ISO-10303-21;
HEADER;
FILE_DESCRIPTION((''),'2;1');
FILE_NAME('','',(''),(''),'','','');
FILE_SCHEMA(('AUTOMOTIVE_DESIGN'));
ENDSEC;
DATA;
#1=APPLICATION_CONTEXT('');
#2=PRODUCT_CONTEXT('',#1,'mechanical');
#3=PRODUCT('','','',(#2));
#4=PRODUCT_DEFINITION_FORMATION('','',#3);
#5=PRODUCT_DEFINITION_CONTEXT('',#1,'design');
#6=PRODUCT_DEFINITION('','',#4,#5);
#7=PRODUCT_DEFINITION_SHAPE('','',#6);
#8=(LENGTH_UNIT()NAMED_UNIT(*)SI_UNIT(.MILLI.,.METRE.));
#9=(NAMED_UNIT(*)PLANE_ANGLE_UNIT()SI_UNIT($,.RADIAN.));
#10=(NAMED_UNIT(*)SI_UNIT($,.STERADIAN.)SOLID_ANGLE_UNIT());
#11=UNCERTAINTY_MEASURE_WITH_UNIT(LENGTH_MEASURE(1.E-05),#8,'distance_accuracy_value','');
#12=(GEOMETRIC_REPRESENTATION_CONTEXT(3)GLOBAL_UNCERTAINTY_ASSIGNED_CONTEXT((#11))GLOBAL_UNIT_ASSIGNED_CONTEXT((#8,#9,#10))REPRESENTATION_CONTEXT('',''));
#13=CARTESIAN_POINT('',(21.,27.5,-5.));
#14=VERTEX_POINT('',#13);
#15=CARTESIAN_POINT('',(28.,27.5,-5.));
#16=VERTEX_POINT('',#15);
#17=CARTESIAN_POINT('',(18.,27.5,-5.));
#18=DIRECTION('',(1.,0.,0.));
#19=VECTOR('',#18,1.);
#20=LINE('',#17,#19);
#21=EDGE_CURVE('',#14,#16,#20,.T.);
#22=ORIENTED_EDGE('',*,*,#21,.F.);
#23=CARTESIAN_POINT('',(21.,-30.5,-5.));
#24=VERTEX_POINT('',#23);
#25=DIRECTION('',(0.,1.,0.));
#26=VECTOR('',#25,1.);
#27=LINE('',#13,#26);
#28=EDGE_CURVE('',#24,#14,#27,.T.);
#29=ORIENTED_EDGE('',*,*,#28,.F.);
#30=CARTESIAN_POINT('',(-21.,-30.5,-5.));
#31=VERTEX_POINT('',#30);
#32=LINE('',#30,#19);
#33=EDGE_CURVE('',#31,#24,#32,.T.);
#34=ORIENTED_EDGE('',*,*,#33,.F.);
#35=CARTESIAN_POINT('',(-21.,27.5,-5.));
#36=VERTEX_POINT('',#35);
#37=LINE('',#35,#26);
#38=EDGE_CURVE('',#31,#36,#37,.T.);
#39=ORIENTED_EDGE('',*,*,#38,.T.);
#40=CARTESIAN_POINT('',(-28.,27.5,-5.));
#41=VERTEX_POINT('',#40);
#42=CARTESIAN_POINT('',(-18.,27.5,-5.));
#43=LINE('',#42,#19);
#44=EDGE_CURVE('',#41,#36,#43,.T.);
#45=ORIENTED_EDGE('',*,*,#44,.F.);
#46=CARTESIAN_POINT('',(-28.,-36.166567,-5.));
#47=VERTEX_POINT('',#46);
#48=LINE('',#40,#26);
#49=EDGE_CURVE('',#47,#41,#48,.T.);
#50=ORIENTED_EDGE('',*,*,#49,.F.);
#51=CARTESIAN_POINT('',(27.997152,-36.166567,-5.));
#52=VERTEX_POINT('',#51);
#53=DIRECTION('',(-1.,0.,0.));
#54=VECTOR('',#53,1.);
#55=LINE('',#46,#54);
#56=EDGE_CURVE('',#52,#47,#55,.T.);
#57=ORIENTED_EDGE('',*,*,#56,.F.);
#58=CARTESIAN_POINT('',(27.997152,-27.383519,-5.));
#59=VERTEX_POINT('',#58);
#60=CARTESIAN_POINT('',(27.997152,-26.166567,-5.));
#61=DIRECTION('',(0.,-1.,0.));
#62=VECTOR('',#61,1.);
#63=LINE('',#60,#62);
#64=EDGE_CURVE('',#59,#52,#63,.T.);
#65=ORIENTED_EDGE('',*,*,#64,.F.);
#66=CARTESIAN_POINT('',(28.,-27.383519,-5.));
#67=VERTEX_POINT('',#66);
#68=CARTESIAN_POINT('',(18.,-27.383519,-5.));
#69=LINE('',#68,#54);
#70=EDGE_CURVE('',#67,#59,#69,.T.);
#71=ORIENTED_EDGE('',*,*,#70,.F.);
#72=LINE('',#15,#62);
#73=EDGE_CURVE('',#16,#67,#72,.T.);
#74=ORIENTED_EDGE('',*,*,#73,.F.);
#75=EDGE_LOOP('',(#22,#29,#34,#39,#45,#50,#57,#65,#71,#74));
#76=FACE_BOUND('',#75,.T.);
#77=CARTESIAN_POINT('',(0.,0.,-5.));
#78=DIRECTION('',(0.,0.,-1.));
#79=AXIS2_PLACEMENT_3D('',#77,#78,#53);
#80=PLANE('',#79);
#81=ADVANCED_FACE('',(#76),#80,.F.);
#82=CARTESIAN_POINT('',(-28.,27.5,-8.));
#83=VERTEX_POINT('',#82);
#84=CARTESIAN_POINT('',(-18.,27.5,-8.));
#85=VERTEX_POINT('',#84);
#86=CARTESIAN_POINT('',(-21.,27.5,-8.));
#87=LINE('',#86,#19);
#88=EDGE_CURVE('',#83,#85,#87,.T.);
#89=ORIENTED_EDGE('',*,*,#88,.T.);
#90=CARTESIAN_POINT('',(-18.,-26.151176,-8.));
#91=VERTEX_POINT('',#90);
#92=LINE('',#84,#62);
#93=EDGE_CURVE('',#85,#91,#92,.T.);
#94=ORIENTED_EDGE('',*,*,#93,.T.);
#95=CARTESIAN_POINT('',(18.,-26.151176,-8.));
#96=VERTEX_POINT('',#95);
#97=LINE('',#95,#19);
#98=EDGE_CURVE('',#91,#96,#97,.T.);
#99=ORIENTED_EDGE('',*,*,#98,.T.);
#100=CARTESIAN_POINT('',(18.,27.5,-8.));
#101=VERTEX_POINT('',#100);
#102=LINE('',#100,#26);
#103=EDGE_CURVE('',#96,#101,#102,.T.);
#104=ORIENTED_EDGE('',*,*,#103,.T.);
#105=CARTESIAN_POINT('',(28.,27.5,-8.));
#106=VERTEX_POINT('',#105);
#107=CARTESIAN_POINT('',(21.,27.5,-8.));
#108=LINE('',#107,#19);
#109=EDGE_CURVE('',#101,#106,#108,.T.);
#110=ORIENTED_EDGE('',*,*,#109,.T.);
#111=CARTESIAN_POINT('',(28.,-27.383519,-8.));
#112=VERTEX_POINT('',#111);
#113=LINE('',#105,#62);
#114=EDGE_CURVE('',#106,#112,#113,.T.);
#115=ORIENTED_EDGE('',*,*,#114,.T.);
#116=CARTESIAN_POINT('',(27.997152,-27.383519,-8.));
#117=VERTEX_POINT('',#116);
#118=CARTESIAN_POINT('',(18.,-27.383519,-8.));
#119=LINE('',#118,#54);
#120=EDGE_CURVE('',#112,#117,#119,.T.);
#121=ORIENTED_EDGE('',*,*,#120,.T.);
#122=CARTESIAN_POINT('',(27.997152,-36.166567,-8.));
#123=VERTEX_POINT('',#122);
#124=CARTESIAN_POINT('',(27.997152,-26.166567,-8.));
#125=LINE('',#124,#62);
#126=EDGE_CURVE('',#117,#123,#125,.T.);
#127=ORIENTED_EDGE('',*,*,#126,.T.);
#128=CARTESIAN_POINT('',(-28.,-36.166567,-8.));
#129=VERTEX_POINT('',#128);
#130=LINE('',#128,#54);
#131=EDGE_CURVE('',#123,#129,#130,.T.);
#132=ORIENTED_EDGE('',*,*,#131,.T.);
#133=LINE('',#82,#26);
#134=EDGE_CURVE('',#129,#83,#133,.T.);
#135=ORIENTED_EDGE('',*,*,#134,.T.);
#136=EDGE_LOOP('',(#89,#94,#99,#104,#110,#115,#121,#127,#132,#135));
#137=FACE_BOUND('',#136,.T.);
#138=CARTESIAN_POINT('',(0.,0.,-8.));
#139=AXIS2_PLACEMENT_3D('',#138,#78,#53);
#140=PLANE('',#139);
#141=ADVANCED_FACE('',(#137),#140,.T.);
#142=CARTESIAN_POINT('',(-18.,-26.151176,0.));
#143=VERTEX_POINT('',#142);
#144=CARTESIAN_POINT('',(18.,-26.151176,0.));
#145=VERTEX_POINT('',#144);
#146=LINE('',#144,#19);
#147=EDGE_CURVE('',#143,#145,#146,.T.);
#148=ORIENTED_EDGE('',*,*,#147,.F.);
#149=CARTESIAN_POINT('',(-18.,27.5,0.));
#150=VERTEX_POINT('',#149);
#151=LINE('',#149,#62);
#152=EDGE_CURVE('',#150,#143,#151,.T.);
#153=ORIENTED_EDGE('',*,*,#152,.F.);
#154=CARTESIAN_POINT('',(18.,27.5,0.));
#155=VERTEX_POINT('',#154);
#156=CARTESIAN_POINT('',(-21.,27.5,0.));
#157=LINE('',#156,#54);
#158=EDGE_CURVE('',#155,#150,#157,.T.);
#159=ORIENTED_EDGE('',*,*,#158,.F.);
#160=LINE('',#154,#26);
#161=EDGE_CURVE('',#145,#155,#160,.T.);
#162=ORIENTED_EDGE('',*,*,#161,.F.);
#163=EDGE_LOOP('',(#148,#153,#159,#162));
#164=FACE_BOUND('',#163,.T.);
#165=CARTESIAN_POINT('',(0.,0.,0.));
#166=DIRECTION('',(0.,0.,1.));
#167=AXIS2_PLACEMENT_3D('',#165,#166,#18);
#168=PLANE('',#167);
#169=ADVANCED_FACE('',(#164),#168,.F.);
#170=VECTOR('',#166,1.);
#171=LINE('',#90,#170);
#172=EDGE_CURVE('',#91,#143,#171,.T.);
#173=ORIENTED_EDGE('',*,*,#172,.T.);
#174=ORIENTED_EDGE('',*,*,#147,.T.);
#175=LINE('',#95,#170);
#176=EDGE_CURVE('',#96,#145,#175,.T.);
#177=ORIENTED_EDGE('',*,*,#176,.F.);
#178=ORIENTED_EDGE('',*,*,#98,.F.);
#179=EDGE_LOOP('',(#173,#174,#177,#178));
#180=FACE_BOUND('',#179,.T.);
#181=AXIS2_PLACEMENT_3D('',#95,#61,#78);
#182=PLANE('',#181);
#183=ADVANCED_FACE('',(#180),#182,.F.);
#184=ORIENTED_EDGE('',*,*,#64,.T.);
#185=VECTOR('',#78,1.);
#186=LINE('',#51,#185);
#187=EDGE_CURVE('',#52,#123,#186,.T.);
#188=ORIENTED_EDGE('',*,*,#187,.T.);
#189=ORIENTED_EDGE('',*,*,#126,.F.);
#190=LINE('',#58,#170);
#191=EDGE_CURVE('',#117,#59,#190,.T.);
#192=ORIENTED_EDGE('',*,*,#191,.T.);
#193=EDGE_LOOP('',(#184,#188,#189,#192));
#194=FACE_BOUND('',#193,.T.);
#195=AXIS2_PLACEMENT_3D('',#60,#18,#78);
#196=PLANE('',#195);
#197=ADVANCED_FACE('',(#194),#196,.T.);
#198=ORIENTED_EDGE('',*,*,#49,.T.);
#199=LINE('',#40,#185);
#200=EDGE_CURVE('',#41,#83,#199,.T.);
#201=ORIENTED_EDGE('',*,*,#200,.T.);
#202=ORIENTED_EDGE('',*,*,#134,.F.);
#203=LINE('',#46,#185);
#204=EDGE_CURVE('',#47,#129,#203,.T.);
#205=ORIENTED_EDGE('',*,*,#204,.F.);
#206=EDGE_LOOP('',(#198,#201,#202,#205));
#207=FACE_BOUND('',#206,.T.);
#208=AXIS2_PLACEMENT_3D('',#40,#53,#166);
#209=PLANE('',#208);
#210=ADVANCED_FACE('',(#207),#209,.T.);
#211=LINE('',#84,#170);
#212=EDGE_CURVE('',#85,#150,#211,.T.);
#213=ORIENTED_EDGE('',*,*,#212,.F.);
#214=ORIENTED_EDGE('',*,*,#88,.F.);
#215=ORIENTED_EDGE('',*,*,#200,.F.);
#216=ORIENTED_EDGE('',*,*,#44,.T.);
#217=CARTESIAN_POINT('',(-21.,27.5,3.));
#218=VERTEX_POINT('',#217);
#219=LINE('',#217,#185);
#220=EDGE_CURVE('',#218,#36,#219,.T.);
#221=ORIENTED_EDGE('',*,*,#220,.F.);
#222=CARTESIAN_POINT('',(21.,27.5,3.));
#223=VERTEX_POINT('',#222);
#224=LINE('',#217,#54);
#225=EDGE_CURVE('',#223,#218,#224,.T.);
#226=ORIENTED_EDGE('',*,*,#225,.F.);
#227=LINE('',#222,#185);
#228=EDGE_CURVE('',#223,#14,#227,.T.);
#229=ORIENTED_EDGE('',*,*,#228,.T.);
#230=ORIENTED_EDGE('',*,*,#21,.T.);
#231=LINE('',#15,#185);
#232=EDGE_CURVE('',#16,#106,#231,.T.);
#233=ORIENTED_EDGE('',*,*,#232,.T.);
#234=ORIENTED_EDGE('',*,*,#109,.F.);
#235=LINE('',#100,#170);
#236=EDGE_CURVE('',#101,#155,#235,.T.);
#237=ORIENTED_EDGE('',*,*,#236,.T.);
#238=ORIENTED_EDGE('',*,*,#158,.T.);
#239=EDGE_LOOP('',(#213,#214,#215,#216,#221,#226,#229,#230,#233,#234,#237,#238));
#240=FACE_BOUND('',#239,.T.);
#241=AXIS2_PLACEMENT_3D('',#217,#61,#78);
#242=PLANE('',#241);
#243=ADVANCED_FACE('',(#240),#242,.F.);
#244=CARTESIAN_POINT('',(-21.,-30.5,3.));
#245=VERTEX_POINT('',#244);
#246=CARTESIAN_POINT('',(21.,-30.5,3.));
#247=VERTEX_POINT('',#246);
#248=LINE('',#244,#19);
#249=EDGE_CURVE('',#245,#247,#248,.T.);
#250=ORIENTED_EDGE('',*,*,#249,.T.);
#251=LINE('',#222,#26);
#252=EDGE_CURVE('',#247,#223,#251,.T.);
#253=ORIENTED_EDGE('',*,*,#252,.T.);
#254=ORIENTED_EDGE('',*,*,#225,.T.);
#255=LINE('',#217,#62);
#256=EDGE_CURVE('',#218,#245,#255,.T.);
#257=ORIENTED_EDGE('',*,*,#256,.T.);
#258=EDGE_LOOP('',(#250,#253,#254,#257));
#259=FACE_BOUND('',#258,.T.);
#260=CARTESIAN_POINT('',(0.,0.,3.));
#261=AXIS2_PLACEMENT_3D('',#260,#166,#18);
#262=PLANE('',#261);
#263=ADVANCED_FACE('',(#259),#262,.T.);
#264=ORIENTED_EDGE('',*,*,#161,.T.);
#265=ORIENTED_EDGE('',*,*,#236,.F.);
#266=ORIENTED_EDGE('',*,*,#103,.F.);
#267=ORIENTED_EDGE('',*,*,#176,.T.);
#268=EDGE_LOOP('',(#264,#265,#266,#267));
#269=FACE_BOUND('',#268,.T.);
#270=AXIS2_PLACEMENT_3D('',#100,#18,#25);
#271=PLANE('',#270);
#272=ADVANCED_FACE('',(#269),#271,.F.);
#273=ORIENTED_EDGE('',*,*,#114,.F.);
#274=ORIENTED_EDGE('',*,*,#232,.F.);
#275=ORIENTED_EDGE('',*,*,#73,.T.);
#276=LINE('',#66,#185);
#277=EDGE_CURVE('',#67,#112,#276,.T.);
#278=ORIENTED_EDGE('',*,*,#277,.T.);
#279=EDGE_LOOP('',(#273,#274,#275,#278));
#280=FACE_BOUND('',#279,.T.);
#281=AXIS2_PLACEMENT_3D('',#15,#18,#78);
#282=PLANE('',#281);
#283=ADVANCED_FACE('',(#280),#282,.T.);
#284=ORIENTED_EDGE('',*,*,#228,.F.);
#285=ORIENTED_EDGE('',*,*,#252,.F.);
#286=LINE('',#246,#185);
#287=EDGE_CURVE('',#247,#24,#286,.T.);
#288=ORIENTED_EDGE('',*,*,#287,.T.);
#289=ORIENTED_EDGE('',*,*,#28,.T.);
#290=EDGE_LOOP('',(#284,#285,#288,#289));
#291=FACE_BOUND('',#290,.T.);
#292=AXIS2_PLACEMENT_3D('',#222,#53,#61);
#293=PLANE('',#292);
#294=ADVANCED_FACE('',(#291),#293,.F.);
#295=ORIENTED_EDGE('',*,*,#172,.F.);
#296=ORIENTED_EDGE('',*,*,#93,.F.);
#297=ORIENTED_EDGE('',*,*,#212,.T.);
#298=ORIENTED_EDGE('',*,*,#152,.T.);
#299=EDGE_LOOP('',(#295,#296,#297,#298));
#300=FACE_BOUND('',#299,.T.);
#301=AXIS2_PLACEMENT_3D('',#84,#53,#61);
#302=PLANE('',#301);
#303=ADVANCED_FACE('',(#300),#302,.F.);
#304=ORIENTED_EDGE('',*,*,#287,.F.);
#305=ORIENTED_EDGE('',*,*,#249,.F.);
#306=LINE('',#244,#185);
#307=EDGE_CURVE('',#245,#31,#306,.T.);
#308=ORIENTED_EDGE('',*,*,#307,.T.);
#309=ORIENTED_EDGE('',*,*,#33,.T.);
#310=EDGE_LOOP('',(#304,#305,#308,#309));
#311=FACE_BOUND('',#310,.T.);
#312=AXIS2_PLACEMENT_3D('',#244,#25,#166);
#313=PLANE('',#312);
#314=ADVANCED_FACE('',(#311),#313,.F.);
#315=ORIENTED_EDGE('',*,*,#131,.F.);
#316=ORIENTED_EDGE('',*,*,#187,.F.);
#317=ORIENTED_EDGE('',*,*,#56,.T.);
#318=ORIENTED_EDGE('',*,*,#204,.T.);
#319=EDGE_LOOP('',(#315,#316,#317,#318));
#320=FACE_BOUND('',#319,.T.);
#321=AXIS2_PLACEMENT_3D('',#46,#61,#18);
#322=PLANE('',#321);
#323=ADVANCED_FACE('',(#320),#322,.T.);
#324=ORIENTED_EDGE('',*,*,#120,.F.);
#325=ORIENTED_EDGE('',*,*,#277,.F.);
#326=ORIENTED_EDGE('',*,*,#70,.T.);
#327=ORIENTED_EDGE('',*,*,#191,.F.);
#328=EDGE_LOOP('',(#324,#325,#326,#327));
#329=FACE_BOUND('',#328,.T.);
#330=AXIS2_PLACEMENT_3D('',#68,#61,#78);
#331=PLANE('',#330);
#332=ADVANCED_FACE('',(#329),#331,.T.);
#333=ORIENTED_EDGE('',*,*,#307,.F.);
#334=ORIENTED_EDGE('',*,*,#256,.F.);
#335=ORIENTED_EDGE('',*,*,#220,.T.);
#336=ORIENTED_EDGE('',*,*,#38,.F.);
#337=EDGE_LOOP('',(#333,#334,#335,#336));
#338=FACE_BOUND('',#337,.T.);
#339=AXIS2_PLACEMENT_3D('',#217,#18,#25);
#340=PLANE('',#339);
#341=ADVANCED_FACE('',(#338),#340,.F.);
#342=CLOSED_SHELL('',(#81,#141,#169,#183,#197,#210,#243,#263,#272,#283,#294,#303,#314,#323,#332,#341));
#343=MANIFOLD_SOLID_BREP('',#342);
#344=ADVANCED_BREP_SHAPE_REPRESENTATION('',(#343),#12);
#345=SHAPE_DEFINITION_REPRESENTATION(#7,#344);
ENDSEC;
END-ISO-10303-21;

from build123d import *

# Parameters (mm, degrees)
SKETCH1_W           = 42
SKETCH1_H           = 58
BOSS_EXTRUDE1_DEPTH = 3
SKETCH2_W           = 3
SKETCH2_H           = 58
BOSS_EXTRUDE2_DEPTH = 8
SKETCH3_W           = 3
SKETCH3_H           = 58
BOSS_EXTRUDE3_DEPTH = 8
SKETCH4_W           = 36.040635574
SKETCH4_H           = 4.348824295
BOSS_EXTRUDE4_DEPTH = 8
SKETCH5_W           = 10
SKETCH5_H           = 53.666567446
BOSS_EXTRUDE5_DEPTH = 3
SKETCH6_W           = 10
SKETCH6_H           = 54.883518579
BOSS_EXTRUDE6_DEPTH = 3
SKETCH7_W           = 55.997152208
SKETCH7_H           = 10
BOSS_EXTRUDE7_DEPTH = 3


with BuildPart() as part:
    # Sketch1 → Boss-Extrude1 (new body)
    with BuildSketch(Plane.XY):
        with Locations((0, -1.5)):
            Rectangle(SKETCH1_W, SKETCH1_H)
    extrude(amount=BOSS_EXTRUDE1_DEPTH)

    # Sketch2 → Boss-Extrude2 (add)
    with BuildSketch(Plane(origin=(0, 0, 0), x_dir=(-1, 0, 0), z_dir=(0, 0, -1))):
        with Locations((-19.5, -1.5)):
            Rectangle(SKETCH2_W, SKETCH2_H)
    extrude(amount=BOSS_EXTRUDE2_DEPTH)

    # Sketch3 → Boss-Extrude3 (add)
    with BuildSketch(Plane(origin=(0, 0, 0), x_dir=(-1, 0, 0), z_dir=(0, 0, -1))):
        with Locations((19.5, -1.5)):
            Rectangle(SKETCH3_W, SKETCH3_H)
    extrude(amount=BOSS_EXTRUDE3_DEPTH)

    # Sketch4 → Boss-Extrude4 (add)
    with BuildSketch(Plane(origin=(0, 0, 0), x_dir=(-1, 0, 0), z_dir=(0, 0, -1))):
        with Locations((0.020317787, -28.325587852)):
            Rectangle(SKETCH4_W, SKETCH4_H)
    extrude(amount=BOSS_EXTRUDE4_DEPTH)

    # Sketch5 → Boss-Extrude5 (add)
    with BuildSketch(Plane(origin=(0, 0, -8), x_dir=(-1, 0, 0), z_dir=(0, 0, -1))):
        with Locations((23, 0.666716277)):
            Rectangle(SKETCH5_W, SKETCH5_H)
    extrude(amount=-BOSS_EXTRUDE5_DEPTH)

    # Sketch6 → Boss-Extrude6 (add)
    with BuildSketch(Plane(origin=(0, 0, -8), x_dir=(-1, 0, 0), z_dir=(0, 0, -1))):
        with Locations((-23, 0.05824071)):
            Rectangle(SKETCH6_W, SKETCH6_H)
    extrude(amount=-BOSS_EXTRUDE6_DEPTH)

    # Sketch7 → Boss-Extrude7 (add)
    with BuildSketch(Plane(origin=(0, 0, -8), x_dir=(-1, 0, 0), z_dir=(0, 0, -1))):
        with Locations((0.001423896, -31.166567446)):
            Rectangle(SKETCH7_W, SKETCH7_H)
    extrude(amount=-BOSS_EXTRUDE7_DEPTH)


solid = part.part
